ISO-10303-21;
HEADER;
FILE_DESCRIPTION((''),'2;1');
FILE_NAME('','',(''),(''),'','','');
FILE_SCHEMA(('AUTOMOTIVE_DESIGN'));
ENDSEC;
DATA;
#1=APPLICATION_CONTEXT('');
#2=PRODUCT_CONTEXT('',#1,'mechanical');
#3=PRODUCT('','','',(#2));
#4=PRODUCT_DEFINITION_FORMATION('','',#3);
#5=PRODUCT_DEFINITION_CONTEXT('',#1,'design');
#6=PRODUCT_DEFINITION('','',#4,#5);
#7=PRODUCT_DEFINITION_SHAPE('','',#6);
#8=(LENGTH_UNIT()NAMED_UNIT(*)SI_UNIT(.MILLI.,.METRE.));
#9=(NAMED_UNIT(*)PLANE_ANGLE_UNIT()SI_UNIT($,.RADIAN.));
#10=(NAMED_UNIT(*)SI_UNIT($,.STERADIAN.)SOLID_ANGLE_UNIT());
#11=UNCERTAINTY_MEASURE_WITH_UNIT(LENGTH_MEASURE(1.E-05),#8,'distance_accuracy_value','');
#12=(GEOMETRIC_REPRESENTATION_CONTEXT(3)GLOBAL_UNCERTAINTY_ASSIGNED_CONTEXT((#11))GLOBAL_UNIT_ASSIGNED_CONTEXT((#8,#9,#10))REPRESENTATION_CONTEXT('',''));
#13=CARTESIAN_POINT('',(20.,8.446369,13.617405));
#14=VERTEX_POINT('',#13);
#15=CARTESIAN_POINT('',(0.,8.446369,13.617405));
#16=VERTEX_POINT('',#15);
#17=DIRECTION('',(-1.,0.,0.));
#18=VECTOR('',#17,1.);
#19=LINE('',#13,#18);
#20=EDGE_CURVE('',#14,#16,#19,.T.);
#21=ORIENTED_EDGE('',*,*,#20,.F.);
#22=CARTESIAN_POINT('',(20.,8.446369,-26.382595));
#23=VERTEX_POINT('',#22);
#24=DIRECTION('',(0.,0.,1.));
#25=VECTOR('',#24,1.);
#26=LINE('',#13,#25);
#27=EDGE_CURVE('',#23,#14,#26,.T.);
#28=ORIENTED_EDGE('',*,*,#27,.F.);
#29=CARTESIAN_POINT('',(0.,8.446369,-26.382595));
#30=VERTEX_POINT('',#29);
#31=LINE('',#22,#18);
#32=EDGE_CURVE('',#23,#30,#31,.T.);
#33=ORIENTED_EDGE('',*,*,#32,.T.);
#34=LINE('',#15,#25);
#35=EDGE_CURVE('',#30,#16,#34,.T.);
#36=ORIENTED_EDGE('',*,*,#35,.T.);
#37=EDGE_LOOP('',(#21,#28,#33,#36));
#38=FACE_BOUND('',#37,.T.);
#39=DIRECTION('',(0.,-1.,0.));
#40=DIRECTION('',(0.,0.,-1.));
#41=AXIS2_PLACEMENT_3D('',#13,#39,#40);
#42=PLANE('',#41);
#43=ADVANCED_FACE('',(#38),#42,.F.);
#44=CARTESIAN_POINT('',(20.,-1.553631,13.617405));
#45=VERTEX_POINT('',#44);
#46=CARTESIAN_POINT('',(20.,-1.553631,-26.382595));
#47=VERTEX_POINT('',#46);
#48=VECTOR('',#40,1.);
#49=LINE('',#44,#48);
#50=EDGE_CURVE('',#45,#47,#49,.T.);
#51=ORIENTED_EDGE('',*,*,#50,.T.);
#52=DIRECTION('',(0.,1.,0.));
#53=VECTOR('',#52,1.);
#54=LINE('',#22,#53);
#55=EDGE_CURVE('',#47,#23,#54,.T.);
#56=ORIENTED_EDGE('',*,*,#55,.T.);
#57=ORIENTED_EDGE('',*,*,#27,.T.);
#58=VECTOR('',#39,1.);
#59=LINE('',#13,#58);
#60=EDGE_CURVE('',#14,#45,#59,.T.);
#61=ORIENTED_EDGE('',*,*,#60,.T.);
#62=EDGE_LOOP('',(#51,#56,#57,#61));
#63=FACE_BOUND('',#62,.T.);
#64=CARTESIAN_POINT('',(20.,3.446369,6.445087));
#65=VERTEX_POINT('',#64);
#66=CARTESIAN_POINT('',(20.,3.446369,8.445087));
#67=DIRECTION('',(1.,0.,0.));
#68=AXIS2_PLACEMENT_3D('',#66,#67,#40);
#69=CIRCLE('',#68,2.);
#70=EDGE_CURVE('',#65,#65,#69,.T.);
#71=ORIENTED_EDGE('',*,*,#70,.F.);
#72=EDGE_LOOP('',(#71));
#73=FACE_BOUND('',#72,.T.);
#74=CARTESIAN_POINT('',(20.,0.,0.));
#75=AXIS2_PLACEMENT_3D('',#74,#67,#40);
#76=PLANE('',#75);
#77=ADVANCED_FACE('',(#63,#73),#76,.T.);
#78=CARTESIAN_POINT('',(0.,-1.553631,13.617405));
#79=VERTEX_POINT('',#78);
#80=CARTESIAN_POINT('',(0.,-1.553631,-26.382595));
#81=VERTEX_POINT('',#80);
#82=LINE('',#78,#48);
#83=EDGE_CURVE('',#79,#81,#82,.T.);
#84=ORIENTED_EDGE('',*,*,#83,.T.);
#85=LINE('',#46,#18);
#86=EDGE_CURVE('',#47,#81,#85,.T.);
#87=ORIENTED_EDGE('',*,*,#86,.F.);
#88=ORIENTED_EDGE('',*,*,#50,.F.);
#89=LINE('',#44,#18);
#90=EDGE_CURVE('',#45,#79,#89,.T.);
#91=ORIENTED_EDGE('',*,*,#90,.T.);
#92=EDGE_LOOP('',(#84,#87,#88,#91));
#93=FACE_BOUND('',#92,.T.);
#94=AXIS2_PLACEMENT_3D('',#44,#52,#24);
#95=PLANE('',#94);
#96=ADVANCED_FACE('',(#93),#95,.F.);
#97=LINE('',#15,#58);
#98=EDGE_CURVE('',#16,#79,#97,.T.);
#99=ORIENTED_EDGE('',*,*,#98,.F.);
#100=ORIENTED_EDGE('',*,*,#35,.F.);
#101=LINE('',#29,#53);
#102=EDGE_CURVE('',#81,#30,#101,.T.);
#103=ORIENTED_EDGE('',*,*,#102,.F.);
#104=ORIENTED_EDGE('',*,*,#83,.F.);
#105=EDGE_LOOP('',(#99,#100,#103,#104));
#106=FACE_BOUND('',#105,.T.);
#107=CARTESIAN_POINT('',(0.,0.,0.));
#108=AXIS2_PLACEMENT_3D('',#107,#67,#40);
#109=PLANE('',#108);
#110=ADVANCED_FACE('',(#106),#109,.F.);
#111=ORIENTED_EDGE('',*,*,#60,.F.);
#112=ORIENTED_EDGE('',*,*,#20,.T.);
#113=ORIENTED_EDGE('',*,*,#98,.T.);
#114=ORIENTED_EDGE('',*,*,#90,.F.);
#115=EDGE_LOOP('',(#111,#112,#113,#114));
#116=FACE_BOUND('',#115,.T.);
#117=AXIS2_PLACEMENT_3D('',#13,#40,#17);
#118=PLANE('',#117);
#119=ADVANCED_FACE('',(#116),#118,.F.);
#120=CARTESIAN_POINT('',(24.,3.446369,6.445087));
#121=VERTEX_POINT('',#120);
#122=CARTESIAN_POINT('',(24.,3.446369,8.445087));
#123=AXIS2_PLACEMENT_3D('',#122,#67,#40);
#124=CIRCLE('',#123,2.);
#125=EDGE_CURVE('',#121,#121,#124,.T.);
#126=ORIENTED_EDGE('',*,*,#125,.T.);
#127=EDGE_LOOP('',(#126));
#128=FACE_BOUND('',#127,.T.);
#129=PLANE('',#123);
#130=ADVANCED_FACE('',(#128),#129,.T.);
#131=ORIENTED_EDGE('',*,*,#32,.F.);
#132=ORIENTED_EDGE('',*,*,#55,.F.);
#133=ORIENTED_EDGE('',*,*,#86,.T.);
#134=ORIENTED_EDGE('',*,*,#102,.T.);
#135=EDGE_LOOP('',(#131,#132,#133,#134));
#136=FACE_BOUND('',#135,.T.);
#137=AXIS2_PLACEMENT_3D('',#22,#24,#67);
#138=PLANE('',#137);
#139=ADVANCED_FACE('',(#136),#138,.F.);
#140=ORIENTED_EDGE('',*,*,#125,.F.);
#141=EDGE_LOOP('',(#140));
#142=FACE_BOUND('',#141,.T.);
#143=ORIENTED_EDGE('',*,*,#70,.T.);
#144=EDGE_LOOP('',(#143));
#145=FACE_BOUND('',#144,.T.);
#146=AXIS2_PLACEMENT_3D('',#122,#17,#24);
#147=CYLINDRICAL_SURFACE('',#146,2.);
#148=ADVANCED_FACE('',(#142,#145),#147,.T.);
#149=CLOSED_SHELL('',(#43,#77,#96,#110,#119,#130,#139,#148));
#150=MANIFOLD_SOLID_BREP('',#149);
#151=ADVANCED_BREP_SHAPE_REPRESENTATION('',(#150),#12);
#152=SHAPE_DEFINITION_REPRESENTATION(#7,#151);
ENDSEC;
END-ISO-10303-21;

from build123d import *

# Parameters (mm, degrees)
SKETCH1_W           = 40
SKETCH1_H           = 10
BOSS_EXTRUDE1_DEPTH = 20
SKETCH2_R           = 2
BOSS_EXTRUDE2_DEPTH = 4


with BuildPart() as part:
    # Sketch1 → Boss-Extrude1 (new body)
    with BuildSketch(Plane(origin=(0, 0, 0), x_dir=(0, 0, -1), z_dir=(1, 0, 0))):
        with Locations((6.382595331, 3.446369028)):
            Rectangle(SKETCH1_W, SKETCH1_H)
    extrude(amount=BOSS_EXTRUDE1_DEPTH)

    # Sketch2 → Boss-Extrude2 (add)
    with BuildSketch(Plane(origin=(20, 0, 0), x_dir=(0, 0, -1), z_dir=(1, 0, 0))):
        with Locations((-8.44508687, 3.446369028)):
            Circle(SKETCH2_R)
    extrude(amount=BOSS_EXTRUDE2_DEPTH)


solid = part.part
